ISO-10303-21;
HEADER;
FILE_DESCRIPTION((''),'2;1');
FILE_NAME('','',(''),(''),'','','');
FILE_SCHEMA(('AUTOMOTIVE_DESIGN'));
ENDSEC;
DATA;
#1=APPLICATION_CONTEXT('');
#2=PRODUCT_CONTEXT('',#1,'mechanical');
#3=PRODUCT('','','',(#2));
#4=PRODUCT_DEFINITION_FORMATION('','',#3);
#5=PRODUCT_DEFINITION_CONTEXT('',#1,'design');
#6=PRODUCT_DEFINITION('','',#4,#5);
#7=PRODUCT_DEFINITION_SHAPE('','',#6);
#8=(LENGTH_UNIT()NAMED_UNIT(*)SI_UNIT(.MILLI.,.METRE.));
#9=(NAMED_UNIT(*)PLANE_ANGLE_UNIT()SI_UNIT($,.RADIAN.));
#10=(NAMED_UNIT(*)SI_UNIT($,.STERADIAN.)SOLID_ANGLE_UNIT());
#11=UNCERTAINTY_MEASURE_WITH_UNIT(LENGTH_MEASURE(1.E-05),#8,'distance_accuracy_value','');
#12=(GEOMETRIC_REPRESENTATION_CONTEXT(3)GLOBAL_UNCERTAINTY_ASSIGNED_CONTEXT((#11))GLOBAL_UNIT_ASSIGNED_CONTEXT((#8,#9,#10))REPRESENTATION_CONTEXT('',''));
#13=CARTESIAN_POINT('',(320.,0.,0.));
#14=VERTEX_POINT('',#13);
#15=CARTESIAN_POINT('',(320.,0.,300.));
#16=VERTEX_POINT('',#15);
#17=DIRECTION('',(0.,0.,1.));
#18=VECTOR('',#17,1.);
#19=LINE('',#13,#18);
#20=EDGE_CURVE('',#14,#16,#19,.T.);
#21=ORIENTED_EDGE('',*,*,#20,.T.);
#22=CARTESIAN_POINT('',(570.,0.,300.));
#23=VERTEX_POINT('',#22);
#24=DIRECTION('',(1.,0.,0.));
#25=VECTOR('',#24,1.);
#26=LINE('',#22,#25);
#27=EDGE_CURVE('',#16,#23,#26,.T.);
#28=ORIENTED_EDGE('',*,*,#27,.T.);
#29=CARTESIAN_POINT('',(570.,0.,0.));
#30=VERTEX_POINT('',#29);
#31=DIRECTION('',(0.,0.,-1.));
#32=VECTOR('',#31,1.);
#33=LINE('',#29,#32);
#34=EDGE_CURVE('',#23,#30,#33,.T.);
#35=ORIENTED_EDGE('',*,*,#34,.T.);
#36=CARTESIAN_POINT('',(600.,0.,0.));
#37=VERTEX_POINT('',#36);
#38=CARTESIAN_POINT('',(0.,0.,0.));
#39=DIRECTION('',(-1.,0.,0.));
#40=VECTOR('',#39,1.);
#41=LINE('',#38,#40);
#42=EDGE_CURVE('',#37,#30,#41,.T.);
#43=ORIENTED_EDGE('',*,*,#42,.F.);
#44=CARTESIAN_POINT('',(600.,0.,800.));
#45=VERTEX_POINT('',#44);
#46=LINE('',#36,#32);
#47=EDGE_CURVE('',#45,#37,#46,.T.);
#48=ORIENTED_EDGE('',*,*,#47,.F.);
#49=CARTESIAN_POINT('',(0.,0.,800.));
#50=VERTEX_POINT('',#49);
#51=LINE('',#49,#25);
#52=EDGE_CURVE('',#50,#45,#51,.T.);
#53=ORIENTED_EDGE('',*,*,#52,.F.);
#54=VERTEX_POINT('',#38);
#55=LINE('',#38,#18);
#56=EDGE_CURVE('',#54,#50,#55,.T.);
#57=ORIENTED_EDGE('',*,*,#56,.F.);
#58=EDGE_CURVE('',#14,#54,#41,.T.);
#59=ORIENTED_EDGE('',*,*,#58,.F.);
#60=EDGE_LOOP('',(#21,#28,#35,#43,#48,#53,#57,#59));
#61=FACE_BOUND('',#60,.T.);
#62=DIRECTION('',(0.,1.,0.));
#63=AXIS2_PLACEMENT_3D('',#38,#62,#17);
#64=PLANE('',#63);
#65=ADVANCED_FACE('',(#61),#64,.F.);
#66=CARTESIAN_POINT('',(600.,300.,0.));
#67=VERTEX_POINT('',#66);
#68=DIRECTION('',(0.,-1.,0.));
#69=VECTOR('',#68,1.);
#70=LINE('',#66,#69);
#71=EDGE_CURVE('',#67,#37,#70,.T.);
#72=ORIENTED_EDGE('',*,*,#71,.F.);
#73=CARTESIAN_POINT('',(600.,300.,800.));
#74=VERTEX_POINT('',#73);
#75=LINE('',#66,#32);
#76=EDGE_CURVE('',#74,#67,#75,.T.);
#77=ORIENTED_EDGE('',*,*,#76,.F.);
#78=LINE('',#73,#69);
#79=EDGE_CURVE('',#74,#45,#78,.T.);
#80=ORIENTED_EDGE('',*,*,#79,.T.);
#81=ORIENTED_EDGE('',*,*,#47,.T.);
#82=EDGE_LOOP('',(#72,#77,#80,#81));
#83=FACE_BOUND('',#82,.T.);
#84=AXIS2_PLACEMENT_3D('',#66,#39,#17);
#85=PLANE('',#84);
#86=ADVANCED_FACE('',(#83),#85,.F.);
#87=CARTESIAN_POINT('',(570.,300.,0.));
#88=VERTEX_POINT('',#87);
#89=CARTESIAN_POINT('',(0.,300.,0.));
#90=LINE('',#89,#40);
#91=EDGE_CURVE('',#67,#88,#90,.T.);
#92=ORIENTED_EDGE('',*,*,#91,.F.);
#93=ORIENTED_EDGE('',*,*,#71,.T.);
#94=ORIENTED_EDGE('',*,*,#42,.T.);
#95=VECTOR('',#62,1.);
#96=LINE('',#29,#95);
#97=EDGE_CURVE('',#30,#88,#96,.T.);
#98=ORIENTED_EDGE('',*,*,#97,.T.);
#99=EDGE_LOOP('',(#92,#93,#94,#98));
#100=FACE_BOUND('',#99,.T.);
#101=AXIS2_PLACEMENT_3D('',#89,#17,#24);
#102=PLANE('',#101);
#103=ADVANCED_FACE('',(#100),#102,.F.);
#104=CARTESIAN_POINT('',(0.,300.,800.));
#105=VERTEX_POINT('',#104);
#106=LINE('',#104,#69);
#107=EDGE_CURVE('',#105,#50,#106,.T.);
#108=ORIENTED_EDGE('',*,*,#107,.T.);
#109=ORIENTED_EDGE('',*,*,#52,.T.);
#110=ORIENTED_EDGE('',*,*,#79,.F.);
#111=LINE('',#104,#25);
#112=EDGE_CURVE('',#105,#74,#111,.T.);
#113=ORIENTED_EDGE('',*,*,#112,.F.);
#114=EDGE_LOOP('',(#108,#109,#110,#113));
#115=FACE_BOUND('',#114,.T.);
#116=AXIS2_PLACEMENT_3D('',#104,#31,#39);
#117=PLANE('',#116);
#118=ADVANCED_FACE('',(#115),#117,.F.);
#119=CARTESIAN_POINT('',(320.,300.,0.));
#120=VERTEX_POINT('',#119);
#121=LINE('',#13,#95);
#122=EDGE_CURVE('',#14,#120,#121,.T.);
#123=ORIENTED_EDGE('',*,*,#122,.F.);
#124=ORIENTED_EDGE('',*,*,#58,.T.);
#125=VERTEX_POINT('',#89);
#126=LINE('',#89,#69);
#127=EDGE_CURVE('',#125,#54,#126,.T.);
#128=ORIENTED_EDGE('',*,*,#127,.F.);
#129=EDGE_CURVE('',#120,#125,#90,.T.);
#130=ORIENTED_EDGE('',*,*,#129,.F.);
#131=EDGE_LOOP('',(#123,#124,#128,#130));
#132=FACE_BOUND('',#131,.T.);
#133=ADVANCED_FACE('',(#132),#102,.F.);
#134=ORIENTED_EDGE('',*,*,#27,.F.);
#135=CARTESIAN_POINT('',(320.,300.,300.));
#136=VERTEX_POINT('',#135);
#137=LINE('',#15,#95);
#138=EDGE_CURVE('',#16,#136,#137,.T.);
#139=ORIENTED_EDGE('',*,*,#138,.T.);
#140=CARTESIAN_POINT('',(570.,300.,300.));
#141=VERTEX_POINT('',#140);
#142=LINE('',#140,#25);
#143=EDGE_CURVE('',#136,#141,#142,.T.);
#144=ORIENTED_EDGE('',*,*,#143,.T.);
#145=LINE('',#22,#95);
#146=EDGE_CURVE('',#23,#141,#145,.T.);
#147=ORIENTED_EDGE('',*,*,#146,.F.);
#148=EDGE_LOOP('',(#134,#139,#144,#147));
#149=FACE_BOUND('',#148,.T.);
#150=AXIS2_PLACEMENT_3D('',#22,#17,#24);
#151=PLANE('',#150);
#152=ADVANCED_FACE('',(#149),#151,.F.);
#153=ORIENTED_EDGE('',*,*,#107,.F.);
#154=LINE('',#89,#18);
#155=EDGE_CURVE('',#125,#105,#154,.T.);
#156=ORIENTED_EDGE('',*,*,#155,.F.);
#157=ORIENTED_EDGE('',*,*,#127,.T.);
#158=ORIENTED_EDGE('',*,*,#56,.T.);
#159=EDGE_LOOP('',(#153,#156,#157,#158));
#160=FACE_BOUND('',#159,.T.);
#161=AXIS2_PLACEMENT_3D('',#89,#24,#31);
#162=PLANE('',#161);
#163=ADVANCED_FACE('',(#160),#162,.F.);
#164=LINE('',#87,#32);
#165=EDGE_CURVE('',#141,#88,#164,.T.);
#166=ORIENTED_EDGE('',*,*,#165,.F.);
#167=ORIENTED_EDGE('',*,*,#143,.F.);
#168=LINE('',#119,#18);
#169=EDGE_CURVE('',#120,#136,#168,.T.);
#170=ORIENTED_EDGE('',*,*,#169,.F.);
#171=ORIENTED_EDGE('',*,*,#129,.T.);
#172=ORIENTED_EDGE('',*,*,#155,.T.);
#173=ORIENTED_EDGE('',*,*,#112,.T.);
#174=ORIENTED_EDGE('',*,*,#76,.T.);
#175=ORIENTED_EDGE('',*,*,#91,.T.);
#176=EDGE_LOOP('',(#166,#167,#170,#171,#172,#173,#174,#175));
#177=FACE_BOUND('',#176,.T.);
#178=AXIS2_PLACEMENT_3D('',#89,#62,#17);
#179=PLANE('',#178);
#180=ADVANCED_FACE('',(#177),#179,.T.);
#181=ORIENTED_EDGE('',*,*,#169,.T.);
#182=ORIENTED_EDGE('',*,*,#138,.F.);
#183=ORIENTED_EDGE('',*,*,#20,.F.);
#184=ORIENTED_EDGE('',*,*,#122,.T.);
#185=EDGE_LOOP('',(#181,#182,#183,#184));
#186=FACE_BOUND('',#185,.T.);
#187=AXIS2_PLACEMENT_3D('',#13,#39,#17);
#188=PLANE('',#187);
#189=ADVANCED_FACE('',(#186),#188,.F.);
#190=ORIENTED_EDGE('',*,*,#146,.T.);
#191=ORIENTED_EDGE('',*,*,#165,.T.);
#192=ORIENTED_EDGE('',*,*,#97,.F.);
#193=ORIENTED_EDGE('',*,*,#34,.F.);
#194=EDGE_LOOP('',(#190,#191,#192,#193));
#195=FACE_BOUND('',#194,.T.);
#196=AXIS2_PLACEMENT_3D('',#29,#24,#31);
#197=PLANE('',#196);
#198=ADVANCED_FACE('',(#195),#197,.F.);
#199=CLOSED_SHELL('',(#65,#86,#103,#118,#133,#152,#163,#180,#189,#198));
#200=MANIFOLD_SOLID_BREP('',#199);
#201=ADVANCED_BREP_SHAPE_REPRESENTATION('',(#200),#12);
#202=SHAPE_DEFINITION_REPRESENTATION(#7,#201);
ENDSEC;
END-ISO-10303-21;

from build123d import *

# Parameters (mm, degrees)
SKETCH1_W           = 600
SKETCH1_H           = 800
BOSS_EXTRUDE1_DEPTH = 300
SKETCH2_W           = 250
SKETCH2_H           = 300
CUT_EXTRUDE1_DEPTH  = 301


with BuildPart() as part:
    # Sketch1 → Boss-Extrude1 (new body)
    with BuildSketch(Plane(origin=(0, 0, 0), x_dir=(1, 0, 0), z_dir=(0, 1, 0))):
        with Locations((300, -400)):
            Rectangle(SKETCH1_W, SKETCH1_H)
    extrude(amount=BOSS_EXTRUDE1_DEPTH)

    # Sketch2 → Cut-Extrude1 (cut, through all)
    with BuildSketch(Plane(origin=(0, 300, 0), x_dir=(1, 0, 0), z_dir=(0, 1, 0))):
        with Locations((445, -150)):
            Rectangle(SKETCH2_W, SKETCH2_H)
    extrude(amount=-CUT_EXTRUDE1_DEPTH, mode=Mode.SUBTRACT)


solid = part.part
